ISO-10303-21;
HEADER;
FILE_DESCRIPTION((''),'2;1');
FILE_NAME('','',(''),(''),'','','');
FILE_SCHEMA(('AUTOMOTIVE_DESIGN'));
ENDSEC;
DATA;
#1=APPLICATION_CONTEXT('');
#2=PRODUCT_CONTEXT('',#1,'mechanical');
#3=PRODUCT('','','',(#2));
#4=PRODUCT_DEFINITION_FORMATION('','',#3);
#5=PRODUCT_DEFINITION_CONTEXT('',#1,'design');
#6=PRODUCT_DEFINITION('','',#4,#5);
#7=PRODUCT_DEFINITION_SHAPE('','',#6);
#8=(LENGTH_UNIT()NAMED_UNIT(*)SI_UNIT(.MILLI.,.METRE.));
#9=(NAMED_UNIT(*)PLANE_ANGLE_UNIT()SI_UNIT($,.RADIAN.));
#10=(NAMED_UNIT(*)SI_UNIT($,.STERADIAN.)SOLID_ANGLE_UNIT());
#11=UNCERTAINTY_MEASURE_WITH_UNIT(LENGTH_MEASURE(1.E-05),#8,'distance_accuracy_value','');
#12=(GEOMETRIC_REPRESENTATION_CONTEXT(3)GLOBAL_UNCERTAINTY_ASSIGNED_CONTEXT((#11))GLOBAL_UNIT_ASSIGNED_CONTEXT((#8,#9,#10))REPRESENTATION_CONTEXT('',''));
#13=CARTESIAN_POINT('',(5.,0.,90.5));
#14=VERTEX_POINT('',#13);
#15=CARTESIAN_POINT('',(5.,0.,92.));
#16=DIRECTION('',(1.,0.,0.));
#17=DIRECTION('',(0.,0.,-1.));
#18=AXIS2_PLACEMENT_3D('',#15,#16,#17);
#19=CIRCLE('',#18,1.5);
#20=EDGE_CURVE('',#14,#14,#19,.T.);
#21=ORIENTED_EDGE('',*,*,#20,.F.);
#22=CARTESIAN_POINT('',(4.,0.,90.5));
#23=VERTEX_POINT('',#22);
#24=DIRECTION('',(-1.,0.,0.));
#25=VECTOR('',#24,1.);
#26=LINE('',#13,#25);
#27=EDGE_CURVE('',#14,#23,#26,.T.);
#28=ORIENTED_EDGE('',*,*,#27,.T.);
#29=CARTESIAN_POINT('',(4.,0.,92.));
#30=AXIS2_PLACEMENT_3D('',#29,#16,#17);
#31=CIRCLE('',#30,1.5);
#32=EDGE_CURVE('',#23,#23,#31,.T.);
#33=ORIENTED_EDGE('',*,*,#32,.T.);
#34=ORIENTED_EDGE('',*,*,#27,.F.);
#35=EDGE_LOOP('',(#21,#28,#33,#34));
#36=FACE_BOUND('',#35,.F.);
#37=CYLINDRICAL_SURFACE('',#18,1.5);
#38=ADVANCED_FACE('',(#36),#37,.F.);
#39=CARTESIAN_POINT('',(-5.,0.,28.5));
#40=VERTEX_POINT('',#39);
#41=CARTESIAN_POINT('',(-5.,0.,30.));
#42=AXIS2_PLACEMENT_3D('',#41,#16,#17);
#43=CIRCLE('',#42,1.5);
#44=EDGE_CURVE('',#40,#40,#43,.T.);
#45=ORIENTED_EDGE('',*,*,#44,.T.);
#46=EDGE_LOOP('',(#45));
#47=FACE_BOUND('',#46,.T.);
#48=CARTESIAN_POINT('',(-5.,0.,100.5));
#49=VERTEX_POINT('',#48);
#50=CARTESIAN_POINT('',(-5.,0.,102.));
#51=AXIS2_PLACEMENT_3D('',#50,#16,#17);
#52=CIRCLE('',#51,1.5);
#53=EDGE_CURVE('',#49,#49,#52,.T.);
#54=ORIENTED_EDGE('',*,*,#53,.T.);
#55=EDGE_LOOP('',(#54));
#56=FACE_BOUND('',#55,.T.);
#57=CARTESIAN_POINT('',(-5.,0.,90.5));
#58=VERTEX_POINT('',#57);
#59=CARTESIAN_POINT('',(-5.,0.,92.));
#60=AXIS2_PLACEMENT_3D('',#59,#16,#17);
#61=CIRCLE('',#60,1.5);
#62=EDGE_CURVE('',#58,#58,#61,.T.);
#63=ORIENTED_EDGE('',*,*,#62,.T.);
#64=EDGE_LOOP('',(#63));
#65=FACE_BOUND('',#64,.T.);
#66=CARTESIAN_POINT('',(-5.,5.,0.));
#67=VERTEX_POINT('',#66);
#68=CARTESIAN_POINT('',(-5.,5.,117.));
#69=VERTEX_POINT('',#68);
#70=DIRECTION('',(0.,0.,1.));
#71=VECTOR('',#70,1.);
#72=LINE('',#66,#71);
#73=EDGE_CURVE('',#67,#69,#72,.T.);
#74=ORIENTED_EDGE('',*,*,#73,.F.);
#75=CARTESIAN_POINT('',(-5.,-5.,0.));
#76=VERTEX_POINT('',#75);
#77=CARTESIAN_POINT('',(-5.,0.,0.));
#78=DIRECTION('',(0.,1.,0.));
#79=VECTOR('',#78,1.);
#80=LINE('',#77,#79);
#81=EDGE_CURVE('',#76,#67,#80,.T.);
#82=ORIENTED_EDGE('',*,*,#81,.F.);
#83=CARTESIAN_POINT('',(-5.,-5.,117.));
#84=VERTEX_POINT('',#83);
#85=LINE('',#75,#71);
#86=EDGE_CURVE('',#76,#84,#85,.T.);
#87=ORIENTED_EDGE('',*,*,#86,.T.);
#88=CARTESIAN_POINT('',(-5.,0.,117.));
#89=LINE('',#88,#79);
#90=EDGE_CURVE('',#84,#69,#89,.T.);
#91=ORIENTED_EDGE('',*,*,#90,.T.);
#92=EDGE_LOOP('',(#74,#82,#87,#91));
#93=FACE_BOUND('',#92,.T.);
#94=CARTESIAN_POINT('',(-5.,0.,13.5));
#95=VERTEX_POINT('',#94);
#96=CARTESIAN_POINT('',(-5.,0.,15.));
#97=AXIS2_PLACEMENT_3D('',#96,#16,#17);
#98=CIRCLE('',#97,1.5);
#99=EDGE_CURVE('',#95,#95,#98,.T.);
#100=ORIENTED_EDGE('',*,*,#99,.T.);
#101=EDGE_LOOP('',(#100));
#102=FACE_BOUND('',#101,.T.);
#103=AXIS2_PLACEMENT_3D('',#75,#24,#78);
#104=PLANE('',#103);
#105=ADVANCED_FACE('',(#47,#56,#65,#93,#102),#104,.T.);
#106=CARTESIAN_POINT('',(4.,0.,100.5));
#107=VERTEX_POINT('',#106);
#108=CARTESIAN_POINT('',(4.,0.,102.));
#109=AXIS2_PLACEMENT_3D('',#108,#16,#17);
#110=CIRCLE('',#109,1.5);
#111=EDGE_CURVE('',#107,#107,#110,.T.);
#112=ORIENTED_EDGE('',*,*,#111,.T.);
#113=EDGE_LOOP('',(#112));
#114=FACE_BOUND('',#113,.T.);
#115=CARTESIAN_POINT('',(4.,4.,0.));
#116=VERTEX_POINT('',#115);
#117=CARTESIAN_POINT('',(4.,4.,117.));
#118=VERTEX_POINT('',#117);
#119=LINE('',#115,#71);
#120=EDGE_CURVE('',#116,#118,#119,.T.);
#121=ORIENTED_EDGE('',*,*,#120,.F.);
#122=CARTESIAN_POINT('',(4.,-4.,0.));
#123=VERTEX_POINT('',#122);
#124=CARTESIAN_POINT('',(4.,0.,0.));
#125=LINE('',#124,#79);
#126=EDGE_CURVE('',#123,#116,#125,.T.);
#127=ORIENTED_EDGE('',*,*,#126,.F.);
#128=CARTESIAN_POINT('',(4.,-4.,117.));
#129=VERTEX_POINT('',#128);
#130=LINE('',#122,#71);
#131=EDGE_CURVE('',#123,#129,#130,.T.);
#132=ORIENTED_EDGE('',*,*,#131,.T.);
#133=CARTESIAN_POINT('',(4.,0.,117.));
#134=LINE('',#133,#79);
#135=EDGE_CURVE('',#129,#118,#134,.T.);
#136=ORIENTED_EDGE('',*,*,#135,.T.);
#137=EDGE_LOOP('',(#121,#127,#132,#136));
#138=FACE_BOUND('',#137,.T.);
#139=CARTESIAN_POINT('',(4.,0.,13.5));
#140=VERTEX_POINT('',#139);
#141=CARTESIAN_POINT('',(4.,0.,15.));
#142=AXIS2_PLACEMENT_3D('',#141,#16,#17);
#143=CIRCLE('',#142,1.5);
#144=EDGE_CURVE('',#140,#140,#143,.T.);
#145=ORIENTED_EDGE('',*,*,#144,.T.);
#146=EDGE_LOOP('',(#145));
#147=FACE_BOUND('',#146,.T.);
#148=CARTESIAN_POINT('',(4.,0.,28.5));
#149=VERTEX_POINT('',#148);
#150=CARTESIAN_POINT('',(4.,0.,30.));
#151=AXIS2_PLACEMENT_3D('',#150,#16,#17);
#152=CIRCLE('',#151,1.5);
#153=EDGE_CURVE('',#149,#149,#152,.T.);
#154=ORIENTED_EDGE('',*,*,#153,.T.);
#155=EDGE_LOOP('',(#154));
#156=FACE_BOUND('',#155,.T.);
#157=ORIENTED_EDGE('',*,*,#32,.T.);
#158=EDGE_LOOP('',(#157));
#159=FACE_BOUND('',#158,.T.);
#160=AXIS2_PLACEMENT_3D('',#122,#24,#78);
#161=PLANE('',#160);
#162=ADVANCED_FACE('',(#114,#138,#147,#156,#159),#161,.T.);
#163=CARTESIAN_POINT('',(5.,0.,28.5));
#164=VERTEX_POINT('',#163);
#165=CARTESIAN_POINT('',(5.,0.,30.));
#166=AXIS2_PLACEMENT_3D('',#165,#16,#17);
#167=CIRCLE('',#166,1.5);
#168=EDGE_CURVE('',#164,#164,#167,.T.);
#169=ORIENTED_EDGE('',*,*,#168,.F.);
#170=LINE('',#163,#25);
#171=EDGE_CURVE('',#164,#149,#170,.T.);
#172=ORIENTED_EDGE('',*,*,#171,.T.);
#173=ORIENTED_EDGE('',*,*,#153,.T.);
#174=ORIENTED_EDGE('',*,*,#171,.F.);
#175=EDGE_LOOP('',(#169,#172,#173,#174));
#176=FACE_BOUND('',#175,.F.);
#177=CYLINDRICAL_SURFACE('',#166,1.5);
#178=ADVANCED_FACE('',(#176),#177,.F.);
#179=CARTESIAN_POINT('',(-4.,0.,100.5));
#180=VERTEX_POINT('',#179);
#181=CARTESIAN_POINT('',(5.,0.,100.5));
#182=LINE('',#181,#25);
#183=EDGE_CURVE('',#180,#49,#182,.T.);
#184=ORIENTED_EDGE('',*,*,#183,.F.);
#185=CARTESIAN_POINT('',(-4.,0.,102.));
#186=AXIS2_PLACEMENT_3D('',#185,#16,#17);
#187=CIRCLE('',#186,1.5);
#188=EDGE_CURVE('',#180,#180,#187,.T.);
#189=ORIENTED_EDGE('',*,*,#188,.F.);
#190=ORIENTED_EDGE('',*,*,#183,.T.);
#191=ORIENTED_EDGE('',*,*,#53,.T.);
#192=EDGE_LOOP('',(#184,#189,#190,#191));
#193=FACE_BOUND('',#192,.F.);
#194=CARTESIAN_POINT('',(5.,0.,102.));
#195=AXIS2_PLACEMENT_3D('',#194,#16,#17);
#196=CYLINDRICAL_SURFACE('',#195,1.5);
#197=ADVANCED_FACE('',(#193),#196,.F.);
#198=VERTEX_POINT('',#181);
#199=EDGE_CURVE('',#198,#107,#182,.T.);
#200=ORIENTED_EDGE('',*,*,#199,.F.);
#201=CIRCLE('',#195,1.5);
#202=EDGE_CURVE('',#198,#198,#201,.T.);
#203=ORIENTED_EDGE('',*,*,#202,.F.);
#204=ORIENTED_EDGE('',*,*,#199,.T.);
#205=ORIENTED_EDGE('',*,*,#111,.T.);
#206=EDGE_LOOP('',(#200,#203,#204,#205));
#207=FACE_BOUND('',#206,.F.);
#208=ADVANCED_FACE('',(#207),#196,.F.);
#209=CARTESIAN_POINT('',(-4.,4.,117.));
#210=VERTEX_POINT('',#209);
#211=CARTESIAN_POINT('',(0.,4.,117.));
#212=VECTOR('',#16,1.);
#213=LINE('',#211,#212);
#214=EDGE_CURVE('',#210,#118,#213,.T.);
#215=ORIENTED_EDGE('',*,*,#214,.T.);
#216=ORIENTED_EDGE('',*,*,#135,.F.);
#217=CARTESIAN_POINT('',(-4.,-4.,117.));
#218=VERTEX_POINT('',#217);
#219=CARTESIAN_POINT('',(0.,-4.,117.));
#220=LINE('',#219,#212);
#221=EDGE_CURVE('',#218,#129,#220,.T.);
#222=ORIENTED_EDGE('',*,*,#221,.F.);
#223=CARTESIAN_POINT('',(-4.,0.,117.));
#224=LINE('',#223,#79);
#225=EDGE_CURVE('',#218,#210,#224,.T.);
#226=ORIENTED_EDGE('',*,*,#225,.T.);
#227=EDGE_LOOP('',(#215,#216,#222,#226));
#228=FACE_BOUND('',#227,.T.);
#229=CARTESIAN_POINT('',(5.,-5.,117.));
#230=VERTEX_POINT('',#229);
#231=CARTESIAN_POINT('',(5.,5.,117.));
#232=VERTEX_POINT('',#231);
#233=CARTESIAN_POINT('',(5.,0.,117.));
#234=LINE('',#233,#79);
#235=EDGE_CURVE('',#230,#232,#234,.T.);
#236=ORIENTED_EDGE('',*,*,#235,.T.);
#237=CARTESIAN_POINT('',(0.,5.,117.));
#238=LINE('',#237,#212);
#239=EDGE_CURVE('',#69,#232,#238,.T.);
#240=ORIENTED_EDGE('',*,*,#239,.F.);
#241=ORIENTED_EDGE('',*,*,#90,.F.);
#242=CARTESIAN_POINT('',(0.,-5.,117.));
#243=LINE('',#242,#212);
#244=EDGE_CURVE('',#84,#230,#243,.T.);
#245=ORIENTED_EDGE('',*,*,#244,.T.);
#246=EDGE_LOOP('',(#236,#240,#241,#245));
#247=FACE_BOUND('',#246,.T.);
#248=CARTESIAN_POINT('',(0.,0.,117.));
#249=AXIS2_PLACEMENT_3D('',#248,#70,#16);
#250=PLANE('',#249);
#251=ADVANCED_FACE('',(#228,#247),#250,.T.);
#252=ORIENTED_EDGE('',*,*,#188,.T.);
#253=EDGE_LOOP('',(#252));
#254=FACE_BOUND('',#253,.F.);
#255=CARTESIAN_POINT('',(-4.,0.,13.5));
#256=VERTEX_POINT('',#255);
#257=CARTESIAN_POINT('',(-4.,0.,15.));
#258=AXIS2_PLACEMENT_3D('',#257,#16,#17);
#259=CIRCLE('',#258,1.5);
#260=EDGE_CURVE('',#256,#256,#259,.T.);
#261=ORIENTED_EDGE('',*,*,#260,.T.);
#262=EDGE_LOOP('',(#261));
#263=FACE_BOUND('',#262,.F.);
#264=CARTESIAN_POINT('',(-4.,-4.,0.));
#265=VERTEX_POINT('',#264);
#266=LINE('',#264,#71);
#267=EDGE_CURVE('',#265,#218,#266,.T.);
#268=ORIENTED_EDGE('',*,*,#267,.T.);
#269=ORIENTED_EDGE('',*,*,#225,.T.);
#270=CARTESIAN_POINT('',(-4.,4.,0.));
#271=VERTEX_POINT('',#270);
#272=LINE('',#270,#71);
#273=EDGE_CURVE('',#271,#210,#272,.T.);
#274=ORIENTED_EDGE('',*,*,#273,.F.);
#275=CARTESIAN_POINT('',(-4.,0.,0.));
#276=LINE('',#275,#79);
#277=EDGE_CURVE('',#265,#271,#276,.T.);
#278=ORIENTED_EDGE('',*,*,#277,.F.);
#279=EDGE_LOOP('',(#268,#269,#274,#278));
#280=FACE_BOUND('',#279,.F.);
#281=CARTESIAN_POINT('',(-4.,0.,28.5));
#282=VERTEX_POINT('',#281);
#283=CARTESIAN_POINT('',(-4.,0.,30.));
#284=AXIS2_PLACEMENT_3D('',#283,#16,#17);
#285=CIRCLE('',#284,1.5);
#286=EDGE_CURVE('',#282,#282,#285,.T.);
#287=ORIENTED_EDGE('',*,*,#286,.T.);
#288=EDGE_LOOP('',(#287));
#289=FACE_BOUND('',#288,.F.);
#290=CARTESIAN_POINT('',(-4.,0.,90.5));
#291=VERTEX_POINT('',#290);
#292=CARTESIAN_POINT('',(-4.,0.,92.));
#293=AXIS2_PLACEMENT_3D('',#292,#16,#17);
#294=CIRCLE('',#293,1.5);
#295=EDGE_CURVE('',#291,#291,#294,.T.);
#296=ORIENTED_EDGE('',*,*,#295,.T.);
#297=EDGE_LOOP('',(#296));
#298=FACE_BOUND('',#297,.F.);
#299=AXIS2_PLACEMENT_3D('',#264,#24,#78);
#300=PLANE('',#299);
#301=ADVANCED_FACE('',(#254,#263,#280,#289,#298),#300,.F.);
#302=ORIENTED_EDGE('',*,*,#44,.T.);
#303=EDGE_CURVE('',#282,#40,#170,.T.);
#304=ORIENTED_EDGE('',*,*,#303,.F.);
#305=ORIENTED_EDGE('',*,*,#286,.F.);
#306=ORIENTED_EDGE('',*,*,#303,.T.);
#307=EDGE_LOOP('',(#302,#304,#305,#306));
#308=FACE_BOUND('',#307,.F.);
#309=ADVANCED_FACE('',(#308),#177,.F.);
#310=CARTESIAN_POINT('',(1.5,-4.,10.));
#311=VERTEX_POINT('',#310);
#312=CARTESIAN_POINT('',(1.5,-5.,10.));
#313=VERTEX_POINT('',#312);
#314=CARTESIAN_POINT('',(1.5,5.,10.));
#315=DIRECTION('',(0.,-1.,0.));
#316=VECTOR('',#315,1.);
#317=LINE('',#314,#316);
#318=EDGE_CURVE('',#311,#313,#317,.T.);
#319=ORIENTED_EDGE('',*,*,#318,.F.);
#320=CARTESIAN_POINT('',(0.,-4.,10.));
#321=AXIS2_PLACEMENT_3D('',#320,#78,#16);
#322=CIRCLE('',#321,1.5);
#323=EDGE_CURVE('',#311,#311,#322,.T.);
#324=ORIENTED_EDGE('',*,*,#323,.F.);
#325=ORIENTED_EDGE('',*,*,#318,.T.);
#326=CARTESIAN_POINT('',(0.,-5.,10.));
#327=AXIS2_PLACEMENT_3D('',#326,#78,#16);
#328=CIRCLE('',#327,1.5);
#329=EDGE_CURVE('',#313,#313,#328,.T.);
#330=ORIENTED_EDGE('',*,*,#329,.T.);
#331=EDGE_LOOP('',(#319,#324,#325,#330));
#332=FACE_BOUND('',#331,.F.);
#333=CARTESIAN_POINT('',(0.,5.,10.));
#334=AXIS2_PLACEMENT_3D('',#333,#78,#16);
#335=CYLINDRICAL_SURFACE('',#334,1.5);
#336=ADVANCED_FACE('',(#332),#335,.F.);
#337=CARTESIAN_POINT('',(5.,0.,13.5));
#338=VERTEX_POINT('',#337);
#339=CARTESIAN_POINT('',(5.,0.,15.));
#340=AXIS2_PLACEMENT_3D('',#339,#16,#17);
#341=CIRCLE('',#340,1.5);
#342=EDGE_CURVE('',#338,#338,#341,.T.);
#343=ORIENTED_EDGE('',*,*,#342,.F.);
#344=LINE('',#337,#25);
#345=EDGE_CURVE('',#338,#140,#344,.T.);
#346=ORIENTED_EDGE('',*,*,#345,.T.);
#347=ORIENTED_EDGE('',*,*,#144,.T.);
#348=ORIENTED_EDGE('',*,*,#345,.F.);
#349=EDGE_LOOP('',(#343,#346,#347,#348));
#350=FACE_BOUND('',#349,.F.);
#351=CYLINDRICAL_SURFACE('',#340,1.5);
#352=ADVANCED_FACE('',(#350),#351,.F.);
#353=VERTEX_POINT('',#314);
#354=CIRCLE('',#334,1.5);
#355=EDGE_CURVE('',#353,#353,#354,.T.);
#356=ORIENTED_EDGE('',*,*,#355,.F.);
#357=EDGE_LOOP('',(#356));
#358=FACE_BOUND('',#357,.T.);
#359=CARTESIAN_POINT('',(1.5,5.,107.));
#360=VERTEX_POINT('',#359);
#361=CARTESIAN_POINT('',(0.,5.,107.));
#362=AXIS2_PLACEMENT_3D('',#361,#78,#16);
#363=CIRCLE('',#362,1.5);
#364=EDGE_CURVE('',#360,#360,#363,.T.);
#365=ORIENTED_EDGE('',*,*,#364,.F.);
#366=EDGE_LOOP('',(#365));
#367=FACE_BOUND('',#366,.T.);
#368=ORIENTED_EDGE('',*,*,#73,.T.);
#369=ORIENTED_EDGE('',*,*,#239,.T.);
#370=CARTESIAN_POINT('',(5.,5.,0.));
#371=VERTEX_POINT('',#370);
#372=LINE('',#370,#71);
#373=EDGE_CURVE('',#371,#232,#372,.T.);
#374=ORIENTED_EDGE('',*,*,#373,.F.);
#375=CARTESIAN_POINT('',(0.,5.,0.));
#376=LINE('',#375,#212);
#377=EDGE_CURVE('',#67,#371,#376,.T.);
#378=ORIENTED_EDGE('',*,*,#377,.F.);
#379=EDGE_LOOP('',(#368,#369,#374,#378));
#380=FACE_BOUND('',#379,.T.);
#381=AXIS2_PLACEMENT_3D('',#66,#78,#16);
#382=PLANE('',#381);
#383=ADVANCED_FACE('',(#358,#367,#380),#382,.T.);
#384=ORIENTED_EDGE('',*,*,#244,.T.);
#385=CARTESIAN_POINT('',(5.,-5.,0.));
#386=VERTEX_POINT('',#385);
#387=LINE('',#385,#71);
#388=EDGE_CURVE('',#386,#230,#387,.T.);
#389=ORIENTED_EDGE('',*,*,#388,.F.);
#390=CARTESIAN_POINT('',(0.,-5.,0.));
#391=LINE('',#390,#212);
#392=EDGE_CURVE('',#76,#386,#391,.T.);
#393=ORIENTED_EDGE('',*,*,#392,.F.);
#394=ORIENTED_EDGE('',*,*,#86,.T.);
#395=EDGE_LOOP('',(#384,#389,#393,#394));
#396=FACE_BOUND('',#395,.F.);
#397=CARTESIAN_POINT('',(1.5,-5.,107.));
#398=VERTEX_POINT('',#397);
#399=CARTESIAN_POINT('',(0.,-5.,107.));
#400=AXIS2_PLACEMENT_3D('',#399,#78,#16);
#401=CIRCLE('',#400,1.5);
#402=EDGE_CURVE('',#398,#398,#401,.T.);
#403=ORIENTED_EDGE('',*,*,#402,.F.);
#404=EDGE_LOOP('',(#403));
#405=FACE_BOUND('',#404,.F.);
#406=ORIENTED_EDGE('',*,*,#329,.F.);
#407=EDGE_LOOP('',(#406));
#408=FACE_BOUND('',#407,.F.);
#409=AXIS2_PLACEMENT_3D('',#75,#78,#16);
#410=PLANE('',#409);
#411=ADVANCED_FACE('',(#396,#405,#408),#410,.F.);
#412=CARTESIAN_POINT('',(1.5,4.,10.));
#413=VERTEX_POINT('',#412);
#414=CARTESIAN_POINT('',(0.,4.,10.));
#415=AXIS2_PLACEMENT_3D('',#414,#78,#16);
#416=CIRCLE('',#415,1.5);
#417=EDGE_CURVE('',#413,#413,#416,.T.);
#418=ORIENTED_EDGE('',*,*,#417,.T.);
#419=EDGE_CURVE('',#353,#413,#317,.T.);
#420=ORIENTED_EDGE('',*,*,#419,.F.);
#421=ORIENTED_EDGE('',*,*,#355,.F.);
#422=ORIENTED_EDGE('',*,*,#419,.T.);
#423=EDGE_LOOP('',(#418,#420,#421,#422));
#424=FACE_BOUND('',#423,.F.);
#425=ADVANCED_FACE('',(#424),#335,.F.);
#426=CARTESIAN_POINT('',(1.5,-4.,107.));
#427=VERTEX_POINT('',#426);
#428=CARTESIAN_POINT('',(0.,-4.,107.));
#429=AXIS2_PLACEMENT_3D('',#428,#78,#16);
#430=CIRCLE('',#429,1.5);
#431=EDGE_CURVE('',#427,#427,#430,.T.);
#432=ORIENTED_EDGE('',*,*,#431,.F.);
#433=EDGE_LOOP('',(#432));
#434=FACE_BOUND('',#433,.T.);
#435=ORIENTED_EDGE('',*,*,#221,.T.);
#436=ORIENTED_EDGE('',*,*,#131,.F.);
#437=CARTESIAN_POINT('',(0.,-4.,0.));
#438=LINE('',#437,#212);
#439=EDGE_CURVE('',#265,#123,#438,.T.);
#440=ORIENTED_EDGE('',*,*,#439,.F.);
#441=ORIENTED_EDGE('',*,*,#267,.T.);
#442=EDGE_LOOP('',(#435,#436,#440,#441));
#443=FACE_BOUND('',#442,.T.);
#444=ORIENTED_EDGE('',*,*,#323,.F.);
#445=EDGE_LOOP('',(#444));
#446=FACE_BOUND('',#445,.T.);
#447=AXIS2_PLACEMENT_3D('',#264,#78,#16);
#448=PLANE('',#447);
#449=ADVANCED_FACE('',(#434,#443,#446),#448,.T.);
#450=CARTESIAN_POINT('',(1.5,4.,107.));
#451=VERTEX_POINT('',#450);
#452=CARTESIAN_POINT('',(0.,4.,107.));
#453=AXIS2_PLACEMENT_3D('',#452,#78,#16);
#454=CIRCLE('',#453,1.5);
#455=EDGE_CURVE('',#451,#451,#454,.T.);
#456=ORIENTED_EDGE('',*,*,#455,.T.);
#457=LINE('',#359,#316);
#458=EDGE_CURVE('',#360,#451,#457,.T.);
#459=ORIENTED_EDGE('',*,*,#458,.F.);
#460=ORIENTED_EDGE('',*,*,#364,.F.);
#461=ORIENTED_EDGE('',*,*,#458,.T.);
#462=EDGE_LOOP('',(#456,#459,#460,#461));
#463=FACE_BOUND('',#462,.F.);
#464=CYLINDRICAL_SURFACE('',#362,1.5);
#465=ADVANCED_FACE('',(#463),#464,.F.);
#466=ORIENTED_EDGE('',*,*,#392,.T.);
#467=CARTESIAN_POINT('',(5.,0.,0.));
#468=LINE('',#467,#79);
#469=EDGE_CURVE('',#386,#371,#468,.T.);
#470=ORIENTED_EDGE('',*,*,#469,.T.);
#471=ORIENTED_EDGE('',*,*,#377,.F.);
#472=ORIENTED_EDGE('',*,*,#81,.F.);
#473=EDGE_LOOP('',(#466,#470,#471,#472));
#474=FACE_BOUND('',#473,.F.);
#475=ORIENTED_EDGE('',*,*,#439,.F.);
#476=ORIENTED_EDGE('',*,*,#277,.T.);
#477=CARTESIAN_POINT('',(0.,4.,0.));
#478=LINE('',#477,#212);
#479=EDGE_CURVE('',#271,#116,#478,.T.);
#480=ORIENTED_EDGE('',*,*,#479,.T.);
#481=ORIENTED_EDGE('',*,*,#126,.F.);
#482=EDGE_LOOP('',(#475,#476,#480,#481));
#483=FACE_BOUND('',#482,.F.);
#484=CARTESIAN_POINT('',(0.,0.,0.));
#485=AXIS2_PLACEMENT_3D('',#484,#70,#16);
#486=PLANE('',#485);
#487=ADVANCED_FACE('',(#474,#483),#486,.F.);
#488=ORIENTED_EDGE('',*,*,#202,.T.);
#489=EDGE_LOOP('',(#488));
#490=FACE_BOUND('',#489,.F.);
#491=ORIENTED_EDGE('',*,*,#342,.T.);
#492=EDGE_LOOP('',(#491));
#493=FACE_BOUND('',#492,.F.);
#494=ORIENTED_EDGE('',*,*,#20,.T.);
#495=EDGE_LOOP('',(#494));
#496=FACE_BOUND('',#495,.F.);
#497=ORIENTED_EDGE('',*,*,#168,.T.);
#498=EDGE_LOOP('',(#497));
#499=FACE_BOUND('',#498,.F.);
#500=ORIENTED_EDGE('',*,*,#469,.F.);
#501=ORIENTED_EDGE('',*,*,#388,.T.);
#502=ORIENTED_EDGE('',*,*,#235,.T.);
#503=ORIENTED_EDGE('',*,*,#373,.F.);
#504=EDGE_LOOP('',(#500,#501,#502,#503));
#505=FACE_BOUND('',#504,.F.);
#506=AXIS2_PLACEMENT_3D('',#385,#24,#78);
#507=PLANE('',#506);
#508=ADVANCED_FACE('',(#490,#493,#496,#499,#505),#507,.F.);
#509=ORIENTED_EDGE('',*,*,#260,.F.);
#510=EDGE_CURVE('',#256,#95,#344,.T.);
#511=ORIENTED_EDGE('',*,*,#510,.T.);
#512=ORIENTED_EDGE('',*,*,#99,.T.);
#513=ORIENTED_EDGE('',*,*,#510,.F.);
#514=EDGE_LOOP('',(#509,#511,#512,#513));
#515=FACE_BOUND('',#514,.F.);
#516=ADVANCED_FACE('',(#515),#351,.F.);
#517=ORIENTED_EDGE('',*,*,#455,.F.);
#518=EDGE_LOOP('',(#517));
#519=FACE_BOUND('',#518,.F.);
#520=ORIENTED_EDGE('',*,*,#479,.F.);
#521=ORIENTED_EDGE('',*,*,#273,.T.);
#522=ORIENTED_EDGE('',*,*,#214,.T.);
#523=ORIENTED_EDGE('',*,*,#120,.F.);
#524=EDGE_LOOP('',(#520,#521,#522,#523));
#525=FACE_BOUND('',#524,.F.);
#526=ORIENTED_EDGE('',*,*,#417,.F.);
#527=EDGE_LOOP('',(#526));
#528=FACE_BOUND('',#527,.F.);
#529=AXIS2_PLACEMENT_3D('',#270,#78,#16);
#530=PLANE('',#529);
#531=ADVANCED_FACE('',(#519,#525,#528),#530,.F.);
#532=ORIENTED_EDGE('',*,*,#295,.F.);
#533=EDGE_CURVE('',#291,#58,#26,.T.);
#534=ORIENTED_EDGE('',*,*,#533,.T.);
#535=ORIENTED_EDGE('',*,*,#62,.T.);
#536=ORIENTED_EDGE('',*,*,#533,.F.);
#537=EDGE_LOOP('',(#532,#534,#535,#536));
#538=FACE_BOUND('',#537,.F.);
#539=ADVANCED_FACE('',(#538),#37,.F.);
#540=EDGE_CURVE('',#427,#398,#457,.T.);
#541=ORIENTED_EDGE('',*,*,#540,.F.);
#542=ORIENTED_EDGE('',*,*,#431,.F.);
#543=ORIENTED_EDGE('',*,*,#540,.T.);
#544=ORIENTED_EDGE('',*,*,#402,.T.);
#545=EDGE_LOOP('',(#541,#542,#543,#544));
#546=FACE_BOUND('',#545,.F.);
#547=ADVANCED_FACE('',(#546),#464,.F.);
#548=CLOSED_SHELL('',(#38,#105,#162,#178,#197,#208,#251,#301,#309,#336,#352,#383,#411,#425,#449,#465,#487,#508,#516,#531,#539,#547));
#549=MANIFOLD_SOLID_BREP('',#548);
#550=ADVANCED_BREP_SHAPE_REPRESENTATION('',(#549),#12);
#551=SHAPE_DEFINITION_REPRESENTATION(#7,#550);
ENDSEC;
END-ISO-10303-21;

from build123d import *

# Parameters (mm, degrees)
SKETCH_1_W          = 10
SKETCH_1_H          = 10
SKETCH_1_W_2        = 8
SKETCH_1_H_2        = 8
EXTRUDE_1_DEPTH     = 117
SKETCH_2_R          = 1.5
CUT_EXTRUDE_1_DEPTH = 11
SKETCH_3_R          = 1.5
CUT_EXTRUDE_2_DEPTH = 10


with BuildPart() as part:
    # 草图1 → 拉伸-薄壁1 (new body)
    with BuildSketch(Plane.XY):
        Rectangle(SKETCH_1_W, SKETCH_1_H)
        Rectangle(SKETCH_1_W_2, SKETCH_1_H_2, mode=Mode.SUBTRACT)
    extrude(amount=EXTRUDE_1_DEPTH)

    # 草图2 → 切除-拉伸1 (cut, through all)
    with BuildSketch(Plane(origin=(0, 5, 0), x_dir=(1, 0, 0), z_dir=(0, 1, 0))):
        with Locations((0, -10)):
            Circle(SKETCH_2_R)
        with Locations((0, -107)):
            Circle(SKETCH_2_R)
    extrude(amount=-CUT_EXTRUDE_1_DEPTH, mode=Mode.SUBTRACT)

    # 草图3 → 切除-拉伸2 (cut)
    with BuildSketch(Plane(origin=(5, 0, 0), x_dir=(0, 0, -1), z_dir=(1, 0, 0))):
        with Locations((-15, 0)):
            Circle(SKETCH_3_R)
        with Locations((-30, 0)):
            Circle(SKETCH_3_R)
        with Locations((-102, 0)):
            Circle(SKETCH_3_R)
        with Locations((-92, 0)):
            Circle(SKETCH_3_R)
    extrude(amount=-CUT_EXTRUDE_2_DEPTH, mode=Mode.SUBTRACT)


solid = part.part
